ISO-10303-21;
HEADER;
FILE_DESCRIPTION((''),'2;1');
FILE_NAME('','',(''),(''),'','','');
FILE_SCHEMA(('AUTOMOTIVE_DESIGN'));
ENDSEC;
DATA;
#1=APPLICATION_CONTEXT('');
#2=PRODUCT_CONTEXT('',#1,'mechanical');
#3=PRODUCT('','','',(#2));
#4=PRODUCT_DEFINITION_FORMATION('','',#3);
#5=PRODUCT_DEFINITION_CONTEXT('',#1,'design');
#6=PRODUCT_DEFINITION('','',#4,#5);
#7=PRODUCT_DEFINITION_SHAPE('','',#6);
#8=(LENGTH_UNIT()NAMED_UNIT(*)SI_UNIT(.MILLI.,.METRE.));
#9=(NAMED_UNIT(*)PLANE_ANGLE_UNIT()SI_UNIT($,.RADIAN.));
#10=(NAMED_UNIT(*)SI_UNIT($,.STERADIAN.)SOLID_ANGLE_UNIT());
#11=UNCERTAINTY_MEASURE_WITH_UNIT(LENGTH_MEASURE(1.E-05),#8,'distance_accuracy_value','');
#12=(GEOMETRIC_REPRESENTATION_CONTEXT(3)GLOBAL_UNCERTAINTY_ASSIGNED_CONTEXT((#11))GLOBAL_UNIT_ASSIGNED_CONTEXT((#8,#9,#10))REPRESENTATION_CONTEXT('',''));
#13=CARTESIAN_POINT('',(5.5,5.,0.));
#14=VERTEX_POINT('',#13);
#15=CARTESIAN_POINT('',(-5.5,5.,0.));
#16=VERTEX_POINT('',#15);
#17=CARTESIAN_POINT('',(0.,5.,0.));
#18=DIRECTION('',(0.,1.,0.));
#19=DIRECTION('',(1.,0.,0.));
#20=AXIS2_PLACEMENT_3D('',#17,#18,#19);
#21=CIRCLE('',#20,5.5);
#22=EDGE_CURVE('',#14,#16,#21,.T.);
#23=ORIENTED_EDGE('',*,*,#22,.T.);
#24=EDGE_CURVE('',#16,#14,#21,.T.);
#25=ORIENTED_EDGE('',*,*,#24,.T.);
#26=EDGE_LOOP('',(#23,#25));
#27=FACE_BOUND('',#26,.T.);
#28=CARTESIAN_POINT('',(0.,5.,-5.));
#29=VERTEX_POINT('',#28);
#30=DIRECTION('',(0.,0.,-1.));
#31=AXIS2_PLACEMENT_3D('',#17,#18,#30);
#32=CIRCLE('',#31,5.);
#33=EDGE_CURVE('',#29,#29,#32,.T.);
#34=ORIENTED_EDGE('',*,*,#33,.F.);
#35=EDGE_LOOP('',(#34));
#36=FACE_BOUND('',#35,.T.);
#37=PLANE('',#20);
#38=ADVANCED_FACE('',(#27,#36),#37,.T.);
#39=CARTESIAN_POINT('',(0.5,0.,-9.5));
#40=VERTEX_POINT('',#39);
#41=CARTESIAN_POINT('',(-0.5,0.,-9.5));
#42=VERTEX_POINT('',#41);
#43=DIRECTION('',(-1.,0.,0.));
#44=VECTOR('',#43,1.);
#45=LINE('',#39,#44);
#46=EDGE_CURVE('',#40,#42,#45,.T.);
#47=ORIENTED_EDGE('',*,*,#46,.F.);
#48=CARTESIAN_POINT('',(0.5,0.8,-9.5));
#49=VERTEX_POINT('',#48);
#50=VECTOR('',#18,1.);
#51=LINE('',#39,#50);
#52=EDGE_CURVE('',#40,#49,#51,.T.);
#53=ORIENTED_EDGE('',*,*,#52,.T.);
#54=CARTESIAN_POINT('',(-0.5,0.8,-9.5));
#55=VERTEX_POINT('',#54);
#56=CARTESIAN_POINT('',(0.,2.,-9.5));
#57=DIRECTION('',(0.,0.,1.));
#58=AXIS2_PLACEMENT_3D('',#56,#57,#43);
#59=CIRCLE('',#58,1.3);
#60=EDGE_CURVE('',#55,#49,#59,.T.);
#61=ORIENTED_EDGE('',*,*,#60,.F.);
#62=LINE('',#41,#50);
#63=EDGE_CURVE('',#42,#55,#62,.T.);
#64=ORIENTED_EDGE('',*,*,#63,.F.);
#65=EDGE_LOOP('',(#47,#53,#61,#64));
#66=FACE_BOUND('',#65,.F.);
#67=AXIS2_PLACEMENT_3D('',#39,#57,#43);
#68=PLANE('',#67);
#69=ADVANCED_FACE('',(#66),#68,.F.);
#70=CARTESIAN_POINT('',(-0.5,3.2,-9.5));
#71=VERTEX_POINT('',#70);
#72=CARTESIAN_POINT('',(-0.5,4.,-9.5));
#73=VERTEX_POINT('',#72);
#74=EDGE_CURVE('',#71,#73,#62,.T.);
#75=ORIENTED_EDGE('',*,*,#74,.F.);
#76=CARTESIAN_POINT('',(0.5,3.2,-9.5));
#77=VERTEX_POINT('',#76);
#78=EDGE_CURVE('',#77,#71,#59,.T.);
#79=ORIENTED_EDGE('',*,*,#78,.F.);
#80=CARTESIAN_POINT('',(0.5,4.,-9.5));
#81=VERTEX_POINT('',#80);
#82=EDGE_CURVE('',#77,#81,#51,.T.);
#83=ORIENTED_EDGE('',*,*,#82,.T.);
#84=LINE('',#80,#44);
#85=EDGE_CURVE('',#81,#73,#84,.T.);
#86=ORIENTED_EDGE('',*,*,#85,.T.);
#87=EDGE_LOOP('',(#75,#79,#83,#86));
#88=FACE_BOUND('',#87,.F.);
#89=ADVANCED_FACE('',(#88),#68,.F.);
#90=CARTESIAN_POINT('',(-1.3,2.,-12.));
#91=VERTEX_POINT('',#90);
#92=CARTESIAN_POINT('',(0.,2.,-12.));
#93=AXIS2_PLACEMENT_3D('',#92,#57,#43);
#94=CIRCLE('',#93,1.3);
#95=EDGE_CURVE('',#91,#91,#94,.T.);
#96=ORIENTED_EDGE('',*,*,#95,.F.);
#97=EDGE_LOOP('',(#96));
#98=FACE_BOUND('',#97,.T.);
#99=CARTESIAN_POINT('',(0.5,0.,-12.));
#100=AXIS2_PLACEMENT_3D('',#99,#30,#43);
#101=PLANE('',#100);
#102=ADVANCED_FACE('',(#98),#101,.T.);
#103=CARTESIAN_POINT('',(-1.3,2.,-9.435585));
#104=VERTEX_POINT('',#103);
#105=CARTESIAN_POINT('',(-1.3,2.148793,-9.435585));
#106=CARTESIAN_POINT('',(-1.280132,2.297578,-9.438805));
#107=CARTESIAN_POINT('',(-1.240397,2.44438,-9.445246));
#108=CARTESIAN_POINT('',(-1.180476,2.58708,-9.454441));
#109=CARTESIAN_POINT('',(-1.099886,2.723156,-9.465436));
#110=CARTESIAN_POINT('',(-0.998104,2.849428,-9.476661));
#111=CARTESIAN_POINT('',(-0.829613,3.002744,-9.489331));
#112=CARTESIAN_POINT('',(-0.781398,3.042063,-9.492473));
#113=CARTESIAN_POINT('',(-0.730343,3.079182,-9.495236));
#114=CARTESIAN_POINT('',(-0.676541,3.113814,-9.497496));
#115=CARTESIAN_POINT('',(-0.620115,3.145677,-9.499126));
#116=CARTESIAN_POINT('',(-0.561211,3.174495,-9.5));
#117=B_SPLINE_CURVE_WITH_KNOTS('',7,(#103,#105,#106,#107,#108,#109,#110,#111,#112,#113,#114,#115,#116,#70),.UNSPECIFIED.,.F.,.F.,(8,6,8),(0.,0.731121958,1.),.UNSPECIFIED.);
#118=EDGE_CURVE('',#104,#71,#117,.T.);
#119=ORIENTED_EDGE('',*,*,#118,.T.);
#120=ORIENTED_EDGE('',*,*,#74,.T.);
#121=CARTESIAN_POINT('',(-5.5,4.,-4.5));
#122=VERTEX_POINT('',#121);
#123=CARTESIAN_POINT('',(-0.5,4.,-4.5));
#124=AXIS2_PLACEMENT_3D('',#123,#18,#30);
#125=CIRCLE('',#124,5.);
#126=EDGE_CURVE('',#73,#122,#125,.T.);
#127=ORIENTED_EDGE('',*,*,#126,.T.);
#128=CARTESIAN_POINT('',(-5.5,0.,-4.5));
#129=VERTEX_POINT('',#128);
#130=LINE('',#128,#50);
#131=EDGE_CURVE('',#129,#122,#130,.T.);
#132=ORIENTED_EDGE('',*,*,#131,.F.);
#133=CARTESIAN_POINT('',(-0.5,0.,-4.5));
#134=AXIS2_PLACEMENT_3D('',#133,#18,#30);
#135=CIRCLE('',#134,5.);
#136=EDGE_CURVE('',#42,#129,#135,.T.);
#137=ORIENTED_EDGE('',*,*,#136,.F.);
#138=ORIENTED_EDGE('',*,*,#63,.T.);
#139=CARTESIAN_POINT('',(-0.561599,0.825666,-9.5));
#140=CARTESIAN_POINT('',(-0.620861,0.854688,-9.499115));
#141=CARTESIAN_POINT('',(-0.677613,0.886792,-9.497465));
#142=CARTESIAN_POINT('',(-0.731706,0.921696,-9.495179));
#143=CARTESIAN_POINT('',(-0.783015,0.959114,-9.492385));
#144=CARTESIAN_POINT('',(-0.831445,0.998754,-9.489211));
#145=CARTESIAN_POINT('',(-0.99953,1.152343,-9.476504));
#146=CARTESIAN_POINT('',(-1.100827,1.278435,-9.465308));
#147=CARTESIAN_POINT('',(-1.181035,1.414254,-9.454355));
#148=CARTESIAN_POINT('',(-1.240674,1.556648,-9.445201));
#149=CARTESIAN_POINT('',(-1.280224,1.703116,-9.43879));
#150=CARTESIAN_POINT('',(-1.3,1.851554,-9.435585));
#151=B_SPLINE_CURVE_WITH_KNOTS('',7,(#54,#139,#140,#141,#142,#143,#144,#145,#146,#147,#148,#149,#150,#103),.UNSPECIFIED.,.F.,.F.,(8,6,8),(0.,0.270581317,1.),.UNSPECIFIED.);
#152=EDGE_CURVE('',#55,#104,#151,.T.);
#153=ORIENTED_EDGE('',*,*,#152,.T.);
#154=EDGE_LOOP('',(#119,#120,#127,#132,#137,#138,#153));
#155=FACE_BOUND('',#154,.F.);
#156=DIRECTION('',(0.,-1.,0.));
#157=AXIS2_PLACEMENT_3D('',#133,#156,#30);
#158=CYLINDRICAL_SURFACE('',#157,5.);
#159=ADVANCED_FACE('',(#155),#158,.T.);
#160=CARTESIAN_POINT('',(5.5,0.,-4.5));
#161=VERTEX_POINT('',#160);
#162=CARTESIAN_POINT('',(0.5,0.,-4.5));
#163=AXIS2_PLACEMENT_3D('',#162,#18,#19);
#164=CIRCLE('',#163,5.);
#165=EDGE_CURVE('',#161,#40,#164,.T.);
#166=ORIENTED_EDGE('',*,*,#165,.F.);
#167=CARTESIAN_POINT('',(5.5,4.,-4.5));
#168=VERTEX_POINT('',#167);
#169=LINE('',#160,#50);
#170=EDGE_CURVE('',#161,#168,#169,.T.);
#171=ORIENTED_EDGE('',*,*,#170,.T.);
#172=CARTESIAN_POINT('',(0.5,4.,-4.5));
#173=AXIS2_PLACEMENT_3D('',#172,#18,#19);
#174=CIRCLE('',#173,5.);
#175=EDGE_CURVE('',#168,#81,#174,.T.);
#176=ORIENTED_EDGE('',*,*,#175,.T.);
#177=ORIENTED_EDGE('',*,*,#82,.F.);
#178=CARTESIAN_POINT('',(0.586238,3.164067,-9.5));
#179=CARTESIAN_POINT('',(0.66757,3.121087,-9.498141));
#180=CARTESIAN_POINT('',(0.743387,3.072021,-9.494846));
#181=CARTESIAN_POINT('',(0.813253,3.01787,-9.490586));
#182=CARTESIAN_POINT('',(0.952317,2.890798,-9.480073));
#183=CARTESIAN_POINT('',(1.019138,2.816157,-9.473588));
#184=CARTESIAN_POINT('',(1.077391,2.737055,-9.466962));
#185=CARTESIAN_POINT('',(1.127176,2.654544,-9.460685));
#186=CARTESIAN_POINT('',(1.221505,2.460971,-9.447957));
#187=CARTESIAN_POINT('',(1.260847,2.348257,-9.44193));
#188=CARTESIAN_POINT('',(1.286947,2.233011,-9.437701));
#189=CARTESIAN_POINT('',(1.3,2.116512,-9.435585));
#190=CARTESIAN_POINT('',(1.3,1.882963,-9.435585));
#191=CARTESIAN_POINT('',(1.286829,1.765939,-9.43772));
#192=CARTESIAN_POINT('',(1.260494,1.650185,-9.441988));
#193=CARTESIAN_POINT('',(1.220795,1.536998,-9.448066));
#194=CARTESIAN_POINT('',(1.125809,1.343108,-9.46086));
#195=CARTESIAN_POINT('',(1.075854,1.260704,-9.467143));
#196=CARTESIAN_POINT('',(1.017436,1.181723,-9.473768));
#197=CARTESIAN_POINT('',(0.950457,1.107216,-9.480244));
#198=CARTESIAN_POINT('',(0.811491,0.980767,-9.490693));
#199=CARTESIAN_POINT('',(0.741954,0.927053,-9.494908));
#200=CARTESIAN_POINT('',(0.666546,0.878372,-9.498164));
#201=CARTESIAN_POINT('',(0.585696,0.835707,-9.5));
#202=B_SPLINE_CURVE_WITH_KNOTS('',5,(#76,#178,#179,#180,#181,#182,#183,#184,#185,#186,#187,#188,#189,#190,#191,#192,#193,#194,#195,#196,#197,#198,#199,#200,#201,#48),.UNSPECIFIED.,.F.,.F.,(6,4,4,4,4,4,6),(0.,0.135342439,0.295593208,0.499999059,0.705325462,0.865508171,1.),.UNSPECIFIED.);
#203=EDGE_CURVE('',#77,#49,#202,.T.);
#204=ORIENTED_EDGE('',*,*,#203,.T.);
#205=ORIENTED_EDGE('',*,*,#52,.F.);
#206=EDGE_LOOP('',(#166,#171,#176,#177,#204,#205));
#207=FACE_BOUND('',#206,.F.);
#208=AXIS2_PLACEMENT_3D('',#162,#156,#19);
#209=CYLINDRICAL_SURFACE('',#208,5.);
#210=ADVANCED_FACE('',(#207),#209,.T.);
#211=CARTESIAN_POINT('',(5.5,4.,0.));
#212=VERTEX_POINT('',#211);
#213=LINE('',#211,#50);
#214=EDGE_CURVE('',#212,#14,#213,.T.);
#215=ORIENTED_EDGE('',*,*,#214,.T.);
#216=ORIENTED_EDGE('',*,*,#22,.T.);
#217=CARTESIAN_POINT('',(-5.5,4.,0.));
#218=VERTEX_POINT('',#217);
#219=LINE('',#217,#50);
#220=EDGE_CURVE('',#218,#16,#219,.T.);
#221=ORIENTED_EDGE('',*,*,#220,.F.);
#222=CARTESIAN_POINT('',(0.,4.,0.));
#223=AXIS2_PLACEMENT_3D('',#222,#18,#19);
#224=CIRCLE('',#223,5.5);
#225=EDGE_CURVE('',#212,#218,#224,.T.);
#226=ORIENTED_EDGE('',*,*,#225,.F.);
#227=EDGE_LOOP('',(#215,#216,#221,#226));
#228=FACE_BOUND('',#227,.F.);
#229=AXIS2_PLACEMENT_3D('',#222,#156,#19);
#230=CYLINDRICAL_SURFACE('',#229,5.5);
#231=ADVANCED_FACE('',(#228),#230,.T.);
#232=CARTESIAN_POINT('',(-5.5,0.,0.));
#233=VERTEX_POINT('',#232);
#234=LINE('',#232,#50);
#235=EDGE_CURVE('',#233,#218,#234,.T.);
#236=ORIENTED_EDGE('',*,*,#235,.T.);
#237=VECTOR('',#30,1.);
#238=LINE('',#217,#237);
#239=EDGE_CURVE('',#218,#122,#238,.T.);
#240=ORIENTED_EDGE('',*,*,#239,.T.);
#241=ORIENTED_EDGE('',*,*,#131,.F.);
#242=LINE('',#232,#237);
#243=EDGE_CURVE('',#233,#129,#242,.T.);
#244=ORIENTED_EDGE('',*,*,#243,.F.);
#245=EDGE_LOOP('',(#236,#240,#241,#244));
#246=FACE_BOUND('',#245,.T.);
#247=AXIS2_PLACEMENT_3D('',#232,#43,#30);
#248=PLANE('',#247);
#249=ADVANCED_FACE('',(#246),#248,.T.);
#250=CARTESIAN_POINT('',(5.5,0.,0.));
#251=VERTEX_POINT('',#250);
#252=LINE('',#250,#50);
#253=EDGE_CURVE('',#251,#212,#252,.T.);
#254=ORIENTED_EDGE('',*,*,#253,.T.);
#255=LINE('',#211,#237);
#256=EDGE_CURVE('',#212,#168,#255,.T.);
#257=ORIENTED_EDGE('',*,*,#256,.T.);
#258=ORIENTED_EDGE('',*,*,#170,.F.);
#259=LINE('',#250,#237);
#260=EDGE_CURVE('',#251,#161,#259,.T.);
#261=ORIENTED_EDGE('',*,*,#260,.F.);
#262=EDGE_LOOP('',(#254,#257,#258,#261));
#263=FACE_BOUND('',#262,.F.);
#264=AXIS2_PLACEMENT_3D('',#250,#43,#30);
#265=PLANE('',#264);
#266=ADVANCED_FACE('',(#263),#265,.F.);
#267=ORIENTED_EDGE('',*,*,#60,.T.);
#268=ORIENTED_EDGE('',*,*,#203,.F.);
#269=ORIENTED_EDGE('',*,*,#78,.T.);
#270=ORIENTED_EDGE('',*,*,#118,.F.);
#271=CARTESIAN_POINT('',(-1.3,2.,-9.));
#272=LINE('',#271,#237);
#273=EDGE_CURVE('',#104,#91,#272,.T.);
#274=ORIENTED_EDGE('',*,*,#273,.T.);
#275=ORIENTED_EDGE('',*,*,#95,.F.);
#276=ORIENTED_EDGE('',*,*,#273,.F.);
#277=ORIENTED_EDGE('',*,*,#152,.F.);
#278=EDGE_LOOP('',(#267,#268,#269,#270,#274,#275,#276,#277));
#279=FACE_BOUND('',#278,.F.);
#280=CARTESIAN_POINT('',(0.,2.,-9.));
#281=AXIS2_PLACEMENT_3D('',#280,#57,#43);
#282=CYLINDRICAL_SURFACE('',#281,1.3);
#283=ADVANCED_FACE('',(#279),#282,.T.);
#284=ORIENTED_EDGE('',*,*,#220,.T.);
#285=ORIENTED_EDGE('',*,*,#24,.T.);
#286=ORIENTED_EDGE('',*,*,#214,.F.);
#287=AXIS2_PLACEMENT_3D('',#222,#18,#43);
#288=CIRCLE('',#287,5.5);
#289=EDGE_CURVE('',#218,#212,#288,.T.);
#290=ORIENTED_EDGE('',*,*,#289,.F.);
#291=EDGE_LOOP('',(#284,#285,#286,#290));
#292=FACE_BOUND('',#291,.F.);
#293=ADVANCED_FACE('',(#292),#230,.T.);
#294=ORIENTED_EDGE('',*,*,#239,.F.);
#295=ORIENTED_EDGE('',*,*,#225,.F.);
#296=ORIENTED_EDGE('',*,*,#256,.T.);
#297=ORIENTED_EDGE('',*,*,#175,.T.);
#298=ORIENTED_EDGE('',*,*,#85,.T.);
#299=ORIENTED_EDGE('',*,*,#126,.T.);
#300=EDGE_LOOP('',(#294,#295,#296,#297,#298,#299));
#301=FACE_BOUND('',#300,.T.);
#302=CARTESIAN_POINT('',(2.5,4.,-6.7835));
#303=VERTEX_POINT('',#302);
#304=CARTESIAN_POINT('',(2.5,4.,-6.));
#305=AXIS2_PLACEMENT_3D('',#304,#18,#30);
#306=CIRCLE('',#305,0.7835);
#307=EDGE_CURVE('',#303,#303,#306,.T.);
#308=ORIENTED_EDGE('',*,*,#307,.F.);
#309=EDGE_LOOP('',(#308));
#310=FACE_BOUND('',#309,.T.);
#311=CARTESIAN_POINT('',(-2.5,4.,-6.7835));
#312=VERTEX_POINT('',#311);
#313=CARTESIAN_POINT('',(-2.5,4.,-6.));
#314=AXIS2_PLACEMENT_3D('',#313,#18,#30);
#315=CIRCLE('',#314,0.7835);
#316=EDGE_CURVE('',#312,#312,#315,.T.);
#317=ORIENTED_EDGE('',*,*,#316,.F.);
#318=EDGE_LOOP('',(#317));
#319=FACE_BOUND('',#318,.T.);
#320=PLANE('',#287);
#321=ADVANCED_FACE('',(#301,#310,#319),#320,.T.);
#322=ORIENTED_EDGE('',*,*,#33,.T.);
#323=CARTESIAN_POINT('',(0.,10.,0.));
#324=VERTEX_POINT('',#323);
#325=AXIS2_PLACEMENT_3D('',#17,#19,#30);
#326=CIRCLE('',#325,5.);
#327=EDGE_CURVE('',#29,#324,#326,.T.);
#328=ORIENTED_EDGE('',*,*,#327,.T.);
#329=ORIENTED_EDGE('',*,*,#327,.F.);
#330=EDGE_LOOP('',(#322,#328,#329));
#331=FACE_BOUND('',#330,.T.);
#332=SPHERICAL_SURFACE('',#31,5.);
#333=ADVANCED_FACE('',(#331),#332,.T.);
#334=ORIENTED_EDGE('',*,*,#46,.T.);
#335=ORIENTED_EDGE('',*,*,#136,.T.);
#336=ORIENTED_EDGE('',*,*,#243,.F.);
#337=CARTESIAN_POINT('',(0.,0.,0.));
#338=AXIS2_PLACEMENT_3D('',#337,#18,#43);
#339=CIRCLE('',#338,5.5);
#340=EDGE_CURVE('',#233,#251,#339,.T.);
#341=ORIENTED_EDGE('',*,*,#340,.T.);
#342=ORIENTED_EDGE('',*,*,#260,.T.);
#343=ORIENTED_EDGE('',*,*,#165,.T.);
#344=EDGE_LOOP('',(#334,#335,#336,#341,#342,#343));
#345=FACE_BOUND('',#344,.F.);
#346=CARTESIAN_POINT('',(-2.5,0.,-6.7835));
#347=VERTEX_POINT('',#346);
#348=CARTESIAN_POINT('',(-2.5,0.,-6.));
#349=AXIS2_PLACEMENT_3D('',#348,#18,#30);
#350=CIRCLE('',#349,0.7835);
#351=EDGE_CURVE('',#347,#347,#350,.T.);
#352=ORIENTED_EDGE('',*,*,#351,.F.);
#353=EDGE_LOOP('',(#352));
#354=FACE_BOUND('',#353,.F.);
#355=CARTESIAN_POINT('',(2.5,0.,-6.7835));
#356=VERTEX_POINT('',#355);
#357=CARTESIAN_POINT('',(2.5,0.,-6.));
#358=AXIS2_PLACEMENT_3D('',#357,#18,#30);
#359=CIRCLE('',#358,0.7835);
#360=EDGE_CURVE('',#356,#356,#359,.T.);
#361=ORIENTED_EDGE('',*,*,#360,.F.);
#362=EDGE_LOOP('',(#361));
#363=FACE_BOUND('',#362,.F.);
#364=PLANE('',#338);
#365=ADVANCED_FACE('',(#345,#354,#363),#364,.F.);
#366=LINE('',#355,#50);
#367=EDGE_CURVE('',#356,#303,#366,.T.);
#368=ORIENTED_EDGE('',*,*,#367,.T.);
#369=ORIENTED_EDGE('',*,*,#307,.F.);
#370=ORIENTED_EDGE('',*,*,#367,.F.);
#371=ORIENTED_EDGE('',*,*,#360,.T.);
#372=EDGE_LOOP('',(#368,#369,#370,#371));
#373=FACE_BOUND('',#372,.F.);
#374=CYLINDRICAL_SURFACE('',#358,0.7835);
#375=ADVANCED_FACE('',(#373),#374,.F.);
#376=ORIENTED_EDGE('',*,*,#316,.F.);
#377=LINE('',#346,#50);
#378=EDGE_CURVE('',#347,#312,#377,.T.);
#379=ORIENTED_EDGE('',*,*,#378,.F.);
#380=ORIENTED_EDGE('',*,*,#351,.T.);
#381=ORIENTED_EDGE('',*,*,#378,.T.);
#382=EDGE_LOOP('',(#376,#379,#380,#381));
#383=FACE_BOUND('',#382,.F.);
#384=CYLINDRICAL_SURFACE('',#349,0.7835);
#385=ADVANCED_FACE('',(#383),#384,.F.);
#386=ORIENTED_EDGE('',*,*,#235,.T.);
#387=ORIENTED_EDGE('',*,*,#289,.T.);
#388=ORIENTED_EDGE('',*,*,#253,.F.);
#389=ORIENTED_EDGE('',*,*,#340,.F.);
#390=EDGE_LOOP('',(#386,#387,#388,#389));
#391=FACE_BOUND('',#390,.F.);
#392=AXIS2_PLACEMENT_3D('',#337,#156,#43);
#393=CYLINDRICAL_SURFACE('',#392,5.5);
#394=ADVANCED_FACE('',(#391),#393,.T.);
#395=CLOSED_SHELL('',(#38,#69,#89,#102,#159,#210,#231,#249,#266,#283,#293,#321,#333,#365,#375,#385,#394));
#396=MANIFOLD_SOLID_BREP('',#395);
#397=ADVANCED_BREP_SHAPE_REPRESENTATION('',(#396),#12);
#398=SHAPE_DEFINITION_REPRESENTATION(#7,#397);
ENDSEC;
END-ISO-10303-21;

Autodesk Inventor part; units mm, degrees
ref_plane "YZ Plane" through (0, 0, 0) normal (1, 0, 0) x (0, 1, 0)
sketch "Sketch1" plane through (0, 0, 0) normal (0, 1, 0) x (-1, 0, 0)
  arc A0 (5.5, 0) -> (-5.5, 0) centre (0, 0) ccw
  line L0 (5.5, 0) -> (5.5, -4.5)
  line L1 (-5.5, 0) -> (-5.5, -4.5)
  line L2 (-0.5, -9.5) -> (0.5, -9.5)
  arc A1 (-5.5, -4.5) -> (-0.5, -9.5) centre (-0.5, -4.5) ccw
  arc A2 (0.5, -9.5) -> (5.5, -4.5) centre (0.5, -4.5) ccw
  line L3 (0, 0) -> (0, -9.5) construction
  dimension "d0" = 11
  dimension "d1" = 15
  dimension "d2" = 5
extrude "Extrusion1" add sketch "Sketch1" along normal blind 4
sketch "Sketch2" plane through (0, 4, 0) normal (0, 1, 0) x (1, 0, 0)
  circle A0 centre (0, 0) radius 5.5
  arc A1 (-5.5, 0) -> (5.5, 0) centre (0, 0) ccw projected
extrude "Extrusion2" add sketch "Sketch2" along normal blind 1
ref_plane "Work Plane1" through (0, 0, 0) normal (1, 0, 0) x (0, 0, -1)
sketch "Sketch4" plane through (0, 0, 0) normal (1, 0, 0) x (0, 0, -1)
  line L0 (5.5, 5) -> (-5.5, 5) projected
  line L1 (0, 5) -> (0, 11.0328) construction
  arc A0 (5, 5) -> (0, 10) centre (0, 5) ccw
  line L2 (0, 10) -> (0, 5)
  line L3 (0, 5) -> (5, 5)
  point P0 (0, 0)
  dimension "d8" = 5
revolve "Revolution1" add sketch "Sketch4" angle 360 about axis through (0, 5, 0) along (0, 1, 0)
sketch "Sketch5" plane through (0, 0, 0) normal (0, -1, 0) x (1, 0, 0)
  line L0 (0, 0) -> (0, -9.4931) construction
  point P0 (2.5, -6)
  point P1 (-2.5, -6)
  dimension "d10" = 6
  dimension "d11" = 5
hole "Hole1" at (2.5, 0, -6) at (-2.5, 0, -6) direction (0, 1, 0) diameter 1.567 end through all thread size "M2x0.4" class "6H" standard "ANSI Metric M Profile"
ref_plane "Work Plane2" through (0.5, 0, -9) normal (0, 0, -1) x (-1, 0, 0)
sketch "Sketch6" plane through (0.5, 0, -9) normal (0, 0, -1) x (-1, 0, 0)
  line L0 (0, 0) -> (1, 0) projected
  line L1 (1, 0) -> (1, 4) projected
  line L2 (0, 4) -> (1, 4) projected
  line L3 (0, 0) -> (0, 4) projected
  line L4 (0, 0) -> (0, 4) projected
  line L5 (0, 2) -> (1, 2) construction
  line L6 (1, 0) -> (1, 4) projected
  circle A0 centre (0.5, 2) radius 1.3
  point P0 (0.5, 0)
  dimension "d20" = 2.6
extrude "Extrusion3" add sketch "Sketch6" along normal blind 3 contours A0 L3 | L3 A0 L1 | L1 A0
properties part number "OptoForce_OMD-10-SE-10N"
